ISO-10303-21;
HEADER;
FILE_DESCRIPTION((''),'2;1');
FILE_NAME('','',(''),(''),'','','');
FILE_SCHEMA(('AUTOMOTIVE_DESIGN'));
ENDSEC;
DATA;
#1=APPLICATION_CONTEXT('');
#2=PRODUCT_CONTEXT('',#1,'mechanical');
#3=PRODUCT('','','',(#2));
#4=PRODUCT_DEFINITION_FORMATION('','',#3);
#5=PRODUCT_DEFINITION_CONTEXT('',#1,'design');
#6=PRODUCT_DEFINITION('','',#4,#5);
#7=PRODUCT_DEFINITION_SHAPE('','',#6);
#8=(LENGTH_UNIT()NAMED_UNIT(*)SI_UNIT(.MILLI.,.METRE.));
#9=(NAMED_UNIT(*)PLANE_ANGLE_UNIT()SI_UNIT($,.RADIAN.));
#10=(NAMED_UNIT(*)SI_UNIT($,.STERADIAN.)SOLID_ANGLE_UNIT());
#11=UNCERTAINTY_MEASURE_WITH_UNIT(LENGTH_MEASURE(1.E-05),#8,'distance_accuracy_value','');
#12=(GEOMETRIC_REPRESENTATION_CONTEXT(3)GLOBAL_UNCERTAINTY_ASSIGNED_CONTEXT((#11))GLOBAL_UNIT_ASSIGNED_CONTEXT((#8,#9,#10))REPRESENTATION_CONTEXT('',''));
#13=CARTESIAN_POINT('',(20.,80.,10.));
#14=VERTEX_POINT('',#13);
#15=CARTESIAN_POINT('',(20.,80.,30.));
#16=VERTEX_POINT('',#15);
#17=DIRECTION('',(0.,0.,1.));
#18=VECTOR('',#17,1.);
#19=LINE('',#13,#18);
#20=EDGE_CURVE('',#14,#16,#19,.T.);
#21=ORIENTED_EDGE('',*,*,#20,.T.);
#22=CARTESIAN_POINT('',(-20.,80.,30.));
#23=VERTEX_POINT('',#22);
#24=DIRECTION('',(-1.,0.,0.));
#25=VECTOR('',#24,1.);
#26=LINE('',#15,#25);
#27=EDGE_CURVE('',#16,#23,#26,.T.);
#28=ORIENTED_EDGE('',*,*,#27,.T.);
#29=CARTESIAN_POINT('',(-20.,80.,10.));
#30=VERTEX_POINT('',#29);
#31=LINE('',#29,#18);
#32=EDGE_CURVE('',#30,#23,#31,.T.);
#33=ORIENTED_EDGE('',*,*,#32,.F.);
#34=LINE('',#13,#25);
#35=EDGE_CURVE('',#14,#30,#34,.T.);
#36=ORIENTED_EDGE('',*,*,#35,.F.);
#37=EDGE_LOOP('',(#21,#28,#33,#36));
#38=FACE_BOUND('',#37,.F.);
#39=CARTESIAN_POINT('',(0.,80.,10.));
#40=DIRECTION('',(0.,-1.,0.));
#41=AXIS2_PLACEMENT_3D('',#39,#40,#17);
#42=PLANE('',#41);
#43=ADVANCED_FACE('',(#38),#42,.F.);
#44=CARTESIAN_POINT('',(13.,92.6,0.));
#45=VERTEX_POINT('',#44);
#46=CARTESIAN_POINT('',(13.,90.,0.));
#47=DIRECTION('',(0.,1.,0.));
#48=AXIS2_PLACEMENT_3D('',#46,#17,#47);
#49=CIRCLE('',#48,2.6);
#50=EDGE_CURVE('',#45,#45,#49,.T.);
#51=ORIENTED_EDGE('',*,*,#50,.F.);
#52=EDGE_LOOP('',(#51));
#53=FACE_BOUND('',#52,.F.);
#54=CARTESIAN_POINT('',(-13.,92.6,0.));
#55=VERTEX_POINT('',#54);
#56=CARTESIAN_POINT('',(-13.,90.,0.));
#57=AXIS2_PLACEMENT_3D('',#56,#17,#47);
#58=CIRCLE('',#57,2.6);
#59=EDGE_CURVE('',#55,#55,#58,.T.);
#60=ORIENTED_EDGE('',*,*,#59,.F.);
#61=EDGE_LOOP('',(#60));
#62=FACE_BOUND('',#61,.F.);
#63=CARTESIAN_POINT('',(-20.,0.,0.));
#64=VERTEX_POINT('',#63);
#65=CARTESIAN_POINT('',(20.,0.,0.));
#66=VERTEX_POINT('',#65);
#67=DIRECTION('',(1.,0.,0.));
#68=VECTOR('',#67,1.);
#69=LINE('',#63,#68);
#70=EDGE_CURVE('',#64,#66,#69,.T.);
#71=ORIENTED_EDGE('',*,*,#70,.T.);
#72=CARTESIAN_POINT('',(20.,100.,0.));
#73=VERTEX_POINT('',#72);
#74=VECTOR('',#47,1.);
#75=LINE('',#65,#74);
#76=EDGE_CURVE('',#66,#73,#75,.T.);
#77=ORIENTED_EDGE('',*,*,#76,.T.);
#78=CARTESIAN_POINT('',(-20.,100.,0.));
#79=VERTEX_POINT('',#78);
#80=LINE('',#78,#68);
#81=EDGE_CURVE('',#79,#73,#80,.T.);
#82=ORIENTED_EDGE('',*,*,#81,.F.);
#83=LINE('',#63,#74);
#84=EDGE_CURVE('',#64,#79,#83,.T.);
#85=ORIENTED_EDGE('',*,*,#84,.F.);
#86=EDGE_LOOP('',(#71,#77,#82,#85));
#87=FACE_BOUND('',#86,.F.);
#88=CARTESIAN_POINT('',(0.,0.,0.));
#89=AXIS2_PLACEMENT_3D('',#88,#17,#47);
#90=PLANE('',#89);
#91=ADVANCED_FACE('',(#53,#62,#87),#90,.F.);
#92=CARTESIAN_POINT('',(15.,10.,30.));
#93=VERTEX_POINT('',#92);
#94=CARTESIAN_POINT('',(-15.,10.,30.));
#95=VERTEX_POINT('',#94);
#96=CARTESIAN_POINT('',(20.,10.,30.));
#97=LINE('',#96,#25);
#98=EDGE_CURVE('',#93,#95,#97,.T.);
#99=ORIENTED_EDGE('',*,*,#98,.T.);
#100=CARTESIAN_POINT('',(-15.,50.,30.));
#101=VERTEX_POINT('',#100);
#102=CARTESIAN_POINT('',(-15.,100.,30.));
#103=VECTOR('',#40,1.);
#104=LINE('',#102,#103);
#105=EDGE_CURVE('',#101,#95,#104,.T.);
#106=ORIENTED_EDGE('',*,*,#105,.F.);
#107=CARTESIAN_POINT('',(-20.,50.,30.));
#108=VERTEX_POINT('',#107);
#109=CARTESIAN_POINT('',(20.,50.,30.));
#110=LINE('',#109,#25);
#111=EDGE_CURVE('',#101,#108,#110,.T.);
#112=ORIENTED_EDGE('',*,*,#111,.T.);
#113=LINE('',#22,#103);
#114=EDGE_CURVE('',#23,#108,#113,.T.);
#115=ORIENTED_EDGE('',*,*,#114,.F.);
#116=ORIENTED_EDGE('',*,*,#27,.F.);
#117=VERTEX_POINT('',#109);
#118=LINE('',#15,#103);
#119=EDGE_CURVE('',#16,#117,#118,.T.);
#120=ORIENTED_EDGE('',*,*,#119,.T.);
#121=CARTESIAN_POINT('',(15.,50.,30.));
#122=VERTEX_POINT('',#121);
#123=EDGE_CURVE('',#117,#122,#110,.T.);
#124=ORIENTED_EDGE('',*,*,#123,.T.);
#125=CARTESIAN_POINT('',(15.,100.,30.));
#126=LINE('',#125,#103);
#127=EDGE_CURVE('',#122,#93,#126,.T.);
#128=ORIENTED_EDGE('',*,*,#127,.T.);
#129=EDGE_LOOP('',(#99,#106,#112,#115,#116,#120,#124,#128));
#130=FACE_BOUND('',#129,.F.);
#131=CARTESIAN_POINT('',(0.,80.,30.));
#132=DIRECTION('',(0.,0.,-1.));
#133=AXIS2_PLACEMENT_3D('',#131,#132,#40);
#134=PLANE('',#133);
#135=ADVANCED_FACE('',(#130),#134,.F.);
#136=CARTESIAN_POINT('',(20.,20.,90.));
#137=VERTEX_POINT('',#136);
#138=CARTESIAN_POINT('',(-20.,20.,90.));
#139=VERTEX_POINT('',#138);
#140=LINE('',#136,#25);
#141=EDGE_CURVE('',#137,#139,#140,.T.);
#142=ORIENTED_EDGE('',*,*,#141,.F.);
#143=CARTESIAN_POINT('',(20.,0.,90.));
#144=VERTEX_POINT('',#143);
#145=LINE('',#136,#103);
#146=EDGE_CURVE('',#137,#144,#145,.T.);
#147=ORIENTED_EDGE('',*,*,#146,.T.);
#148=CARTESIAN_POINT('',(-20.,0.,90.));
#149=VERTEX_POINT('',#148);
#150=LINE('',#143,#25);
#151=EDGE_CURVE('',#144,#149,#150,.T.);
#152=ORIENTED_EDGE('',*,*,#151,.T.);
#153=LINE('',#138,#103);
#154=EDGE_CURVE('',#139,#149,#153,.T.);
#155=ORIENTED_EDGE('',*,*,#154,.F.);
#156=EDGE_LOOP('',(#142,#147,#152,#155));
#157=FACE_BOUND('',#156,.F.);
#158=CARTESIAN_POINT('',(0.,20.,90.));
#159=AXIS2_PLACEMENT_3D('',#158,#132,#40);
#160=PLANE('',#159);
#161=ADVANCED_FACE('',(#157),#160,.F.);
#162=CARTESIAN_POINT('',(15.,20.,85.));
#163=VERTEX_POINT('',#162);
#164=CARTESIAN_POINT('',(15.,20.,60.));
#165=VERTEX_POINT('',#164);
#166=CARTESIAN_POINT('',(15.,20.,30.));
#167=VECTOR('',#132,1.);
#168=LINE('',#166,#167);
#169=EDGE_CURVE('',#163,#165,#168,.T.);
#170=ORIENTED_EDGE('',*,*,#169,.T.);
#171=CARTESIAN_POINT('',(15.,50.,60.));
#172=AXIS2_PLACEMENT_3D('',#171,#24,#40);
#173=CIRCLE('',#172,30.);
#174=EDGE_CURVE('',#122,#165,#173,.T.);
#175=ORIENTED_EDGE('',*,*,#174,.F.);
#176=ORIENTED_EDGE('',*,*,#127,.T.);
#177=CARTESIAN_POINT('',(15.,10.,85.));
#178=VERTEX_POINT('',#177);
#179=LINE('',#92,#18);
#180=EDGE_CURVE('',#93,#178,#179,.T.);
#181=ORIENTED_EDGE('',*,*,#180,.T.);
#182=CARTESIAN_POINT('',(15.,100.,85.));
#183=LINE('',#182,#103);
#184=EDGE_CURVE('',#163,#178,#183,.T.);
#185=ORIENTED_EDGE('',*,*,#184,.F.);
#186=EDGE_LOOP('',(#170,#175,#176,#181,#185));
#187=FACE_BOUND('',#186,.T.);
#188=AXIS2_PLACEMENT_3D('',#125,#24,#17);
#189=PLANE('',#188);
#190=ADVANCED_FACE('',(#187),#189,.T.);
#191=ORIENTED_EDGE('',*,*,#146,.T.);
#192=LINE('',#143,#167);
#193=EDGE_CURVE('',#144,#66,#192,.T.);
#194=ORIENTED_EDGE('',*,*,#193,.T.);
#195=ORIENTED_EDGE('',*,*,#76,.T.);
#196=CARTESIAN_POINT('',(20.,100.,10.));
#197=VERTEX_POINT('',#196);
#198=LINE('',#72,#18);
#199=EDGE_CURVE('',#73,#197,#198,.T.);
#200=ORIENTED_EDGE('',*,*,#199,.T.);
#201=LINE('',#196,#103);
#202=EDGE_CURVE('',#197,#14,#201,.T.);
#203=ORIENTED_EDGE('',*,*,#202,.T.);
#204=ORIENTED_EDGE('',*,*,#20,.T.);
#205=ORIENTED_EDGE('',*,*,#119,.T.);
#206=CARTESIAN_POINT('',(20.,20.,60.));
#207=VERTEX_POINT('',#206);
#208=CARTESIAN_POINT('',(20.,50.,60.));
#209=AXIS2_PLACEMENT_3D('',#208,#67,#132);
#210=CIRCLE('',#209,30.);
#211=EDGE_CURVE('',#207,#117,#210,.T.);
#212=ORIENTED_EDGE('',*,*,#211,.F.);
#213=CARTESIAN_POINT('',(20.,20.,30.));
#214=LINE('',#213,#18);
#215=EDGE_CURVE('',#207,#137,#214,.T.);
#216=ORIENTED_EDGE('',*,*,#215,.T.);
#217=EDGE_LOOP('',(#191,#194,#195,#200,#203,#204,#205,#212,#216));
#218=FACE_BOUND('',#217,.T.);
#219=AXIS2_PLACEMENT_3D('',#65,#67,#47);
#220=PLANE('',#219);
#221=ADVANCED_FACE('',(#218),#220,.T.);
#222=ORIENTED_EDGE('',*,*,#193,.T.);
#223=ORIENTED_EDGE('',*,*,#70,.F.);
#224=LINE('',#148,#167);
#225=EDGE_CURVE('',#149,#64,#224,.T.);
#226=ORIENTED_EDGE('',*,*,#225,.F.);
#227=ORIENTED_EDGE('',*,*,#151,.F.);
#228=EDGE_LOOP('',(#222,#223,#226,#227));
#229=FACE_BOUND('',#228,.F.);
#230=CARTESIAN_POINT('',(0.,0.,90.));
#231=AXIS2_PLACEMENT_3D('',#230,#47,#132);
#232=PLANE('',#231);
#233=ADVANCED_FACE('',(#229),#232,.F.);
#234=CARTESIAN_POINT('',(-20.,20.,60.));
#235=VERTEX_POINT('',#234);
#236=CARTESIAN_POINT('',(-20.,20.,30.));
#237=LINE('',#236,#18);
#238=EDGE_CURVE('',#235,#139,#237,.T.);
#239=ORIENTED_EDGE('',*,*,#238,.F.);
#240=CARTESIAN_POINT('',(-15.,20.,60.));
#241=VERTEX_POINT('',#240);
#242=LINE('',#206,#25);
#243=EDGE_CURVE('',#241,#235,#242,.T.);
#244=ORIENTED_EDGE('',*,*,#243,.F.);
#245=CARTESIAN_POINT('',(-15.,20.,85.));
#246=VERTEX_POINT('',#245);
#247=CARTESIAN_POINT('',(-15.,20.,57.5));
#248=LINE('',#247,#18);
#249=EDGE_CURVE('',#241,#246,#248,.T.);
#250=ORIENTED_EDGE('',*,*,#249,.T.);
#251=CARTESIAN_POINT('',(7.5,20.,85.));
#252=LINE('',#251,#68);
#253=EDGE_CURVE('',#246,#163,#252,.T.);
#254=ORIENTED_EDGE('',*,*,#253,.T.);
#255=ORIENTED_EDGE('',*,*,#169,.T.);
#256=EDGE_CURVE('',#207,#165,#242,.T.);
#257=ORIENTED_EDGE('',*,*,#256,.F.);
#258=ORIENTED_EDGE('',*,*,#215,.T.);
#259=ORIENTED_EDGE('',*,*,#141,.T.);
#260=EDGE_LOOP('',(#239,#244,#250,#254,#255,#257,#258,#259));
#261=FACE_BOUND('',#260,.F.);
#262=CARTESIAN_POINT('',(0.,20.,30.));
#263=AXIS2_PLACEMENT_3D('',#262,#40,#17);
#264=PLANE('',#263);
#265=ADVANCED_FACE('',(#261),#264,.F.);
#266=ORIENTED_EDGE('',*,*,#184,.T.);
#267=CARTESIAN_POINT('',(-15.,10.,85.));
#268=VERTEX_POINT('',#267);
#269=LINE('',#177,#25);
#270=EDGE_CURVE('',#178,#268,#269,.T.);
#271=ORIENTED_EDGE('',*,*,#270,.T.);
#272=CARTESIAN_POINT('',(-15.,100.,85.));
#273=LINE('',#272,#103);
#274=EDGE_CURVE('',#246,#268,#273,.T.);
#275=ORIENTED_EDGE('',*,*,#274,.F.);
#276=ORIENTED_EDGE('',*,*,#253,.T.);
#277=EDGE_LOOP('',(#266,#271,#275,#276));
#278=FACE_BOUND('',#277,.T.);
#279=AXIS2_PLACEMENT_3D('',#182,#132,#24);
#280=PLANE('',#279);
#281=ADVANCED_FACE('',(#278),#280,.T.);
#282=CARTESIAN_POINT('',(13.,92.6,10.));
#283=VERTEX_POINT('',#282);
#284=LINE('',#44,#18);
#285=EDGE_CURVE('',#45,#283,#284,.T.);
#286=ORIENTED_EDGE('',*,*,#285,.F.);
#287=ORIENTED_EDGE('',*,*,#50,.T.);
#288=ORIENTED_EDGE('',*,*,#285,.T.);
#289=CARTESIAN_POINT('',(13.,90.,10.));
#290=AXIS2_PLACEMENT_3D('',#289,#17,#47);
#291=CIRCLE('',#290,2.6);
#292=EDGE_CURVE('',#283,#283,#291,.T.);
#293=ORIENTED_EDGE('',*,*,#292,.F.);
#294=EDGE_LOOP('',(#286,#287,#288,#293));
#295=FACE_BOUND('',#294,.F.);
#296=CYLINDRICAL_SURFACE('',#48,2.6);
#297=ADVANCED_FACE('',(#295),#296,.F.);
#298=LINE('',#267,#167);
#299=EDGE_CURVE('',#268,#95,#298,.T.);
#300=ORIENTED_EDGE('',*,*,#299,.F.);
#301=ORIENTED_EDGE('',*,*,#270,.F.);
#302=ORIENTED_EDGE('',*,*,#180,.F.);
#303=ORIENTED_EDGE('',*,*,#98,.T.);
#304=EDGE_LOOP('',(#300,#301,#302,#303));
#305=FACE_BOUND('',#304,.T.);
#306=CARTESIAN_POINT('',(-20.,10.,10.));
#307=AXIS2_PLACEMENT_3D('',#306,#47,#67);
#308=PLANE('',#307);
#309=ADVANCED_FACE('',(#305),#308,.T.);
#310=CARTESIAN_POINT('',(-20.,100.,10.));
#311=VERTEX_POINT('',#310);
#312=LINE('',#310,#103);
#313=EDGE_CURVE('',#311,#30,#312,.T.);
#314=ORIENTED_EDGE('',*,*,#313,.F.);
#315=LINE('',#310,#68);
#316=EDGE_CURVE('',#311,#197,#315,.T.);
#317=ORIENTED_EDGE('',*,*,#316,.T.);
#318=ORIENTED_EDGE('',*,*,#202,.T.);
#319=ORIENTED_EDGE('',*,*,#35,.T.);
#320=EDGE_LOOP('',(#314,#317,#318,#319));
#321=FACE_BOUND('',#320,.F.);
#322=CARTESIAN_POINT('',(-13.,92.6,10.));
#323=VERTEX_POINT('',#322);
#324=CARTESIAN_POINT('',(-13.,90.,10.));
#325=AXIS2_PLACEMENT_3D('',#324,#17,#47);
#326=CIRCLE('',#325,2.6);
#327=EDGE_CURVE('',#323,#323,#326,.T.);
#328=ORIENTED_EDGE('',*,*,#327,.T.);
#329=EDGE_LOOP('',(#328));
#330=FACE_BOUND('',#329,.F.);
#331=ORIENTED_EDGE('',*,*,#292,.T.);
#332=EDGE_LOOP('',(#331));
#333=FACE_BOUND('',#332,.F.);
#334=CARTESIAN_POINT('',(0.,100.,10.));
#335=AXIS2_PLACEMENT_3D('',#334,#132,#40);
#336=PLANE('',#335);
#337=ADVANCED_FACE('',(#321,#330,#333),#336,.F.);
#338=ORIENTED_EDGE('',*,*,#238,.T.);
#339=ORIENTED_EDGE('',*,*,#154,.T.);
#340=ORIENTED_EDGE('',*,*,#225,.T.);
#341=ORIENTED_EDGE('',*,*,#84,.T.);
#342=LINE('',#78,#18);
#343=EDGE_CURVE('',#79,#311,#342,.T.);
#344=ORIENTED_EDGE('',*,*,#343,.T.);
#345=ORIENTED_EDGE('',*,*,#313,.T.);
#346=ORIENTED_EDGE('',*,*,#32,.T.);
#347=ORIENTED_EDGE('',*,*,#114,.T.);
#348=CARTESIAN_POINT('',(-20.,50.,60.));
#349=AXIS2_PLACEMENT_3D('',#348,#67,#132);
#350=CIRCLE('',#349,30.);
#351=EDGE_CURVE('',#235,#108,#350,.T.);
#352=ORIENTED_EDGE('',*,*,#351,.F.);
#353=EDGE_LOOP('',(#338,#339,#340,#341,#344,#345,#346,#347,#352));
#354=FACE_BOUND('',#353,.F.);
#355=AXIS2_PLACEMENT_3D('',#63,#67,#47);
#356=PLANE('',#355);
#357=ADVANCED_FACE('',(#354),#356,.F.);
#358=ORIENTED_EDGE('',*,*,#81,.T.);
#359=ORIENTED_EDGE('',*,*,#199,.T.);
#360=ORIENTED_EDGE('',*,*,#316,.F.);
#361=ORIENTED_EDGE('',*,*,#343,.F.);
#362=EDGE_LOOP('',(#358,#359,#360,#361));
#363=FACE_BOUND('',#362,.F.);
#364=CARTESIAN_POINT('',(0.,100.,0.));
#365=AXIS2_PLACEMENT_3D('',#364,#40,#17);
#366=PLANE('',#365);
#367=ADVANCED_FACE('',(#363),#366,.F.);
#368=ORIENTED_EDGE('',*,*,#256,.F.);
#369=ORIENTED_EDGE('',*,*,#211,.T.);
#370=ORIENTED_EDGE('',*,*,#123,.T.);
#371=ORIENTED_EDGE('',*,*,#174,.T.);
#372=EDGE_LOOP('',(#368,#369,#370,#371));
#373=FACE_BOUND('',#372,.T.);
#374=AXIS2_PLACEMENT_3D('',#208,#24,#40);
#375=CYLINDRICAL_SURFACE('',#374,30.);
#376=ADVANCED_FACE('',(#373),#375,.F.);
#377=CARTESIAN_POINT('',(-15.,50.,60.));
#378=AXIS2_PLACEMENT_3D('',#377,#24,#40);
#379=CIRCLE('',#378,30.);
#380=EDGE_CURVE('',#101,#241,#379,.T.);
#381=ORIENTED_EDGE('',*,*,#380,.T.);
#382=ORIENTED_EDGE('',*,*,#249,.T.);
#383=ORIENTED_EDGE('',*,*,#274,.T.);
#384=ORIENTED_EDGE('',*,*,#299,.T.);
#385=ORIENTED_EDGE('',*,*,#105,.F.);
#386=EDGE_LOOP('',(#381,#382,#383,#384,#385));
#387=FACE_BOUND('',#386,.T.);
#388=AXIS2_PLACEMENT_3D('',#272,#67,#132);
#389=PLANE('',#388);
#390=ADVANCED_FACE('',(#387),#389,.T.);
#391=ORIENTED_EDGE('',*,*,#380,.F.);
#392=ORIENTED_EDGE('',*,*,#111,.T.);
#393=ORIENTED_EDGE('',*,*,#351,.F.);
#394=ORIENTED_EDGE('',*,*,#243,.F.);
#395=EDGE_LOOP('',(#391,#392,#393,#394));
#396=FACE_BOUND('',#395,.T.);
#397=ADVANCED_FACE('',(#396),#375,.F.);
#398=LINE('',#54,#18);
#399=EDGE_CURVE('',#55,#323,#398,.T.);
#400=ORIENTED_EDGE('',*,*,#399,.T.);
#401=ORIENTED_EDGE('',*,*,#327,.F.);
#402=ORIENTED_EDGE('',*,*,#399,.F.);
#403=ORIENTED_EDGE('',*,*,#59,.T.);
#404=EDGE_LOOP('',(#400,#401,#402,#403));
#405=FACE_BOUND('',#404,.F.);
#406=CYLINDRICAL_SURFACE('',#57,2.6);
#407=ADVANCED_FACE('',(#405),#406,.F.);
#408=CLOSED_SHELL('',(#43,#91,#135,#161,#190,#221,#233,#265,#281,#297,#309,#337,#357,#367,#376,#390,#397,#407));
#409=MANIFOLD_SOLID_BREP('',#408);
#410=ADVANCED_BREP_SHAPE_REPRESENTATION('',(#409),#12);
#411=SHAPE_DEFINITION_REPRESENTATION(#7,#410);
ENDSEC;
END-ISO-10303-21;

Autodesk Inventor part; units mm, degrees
ref_plane "YZ Plane" through (0, 0, 0) normal (1, 0, 0) x (0, 1, 0)
ref_plane "XZ Plane" through (0, 0, 0) normal (0, 1, 0) x (-1, 0, 0)
ref_plane "XY Plane" through (0, 0, 0) normal (0, 0, 1) x (1, 0, 0)
sketch "スケッチ1" plane through (0, 0, 0) normal (1, 0, 0) x (0, 1, 0)
  line L0 (0, 0) -> (100, 0)
  line L1 (100, 0) -> (100, 10)
  line L2 (20, 90) -> (0, 90)
  line L3 (0, 90) -> (0, 0)
  line L4 (100, 10) -> (80, 10)
  line L5 (80, 10) -> (80, 30)
  line L6 (80, 30) -> (20, 30)
  line L7 (20, 30) -> (20, 90)
  dimension "d0" = 100
  dimension "d1" = 10
  dimension "d23" = 20
  dimension "d24" = 20
  dimension "d25" = 80
  dimension "d26" = 90
extrude "押し出し1" add sketch "スケッチ1" along normal mid plane 40
fillet "フィレット1" radius 30 1 edges at (0, 20, 30)
sketch "スケッチ2" plane through (-20, 100, 10) normal (0, 1, 0) x (1, 0, 0)
  line L0 (0, -80) -> (40, -80) projected
  line L1 (40, -20) -> (0, -20) projected
  line L2 (5, -20) -> (35, -20)
  line L3 (35, -20) -> (35, -75)
  line L4 (35, -75) -> (5, -75)
  line L5 (5, -75) -> (5, -20)
  line L6 (0, -20) -> (0, -50) projected
  line L7 (40, -50) -> (40, -80) projected
  dimension "d27" = 5
  dimension "d28" = 5
  dimension "d29" = 5
extrude "押し出し2" cut sketch "スケッチ2" against normal blind 90
sketch "スケッチ3" plane through (20, 100, 0) normal (0, 0, -1) x (-1, 0, 0)
  line L0 (40, 0) -> (0, 0) projected
  line L1 (0, -100) -> (0, 0) projected
  line L2 (40, 0) -> (40, -100) projected
  point P0 (20, -100)
  point P1 (7, -10)
  point P2 (33, -10)
  dimension "d12" = 10
  dimension "d13" = 10
  dimension "d14" = 7
  dimension "d15" = 7
hole "穴1" at (13, 90, 0) at (-13, 90, 0) direction (0, 0, 1) diameter 5.2 end through all
equation "\"d28\" = d27"
equation "\"d29\" = d27"
equation "\"d13\" = d12"
equation "\"d15\" = d14"
properties part number "s_base8"
